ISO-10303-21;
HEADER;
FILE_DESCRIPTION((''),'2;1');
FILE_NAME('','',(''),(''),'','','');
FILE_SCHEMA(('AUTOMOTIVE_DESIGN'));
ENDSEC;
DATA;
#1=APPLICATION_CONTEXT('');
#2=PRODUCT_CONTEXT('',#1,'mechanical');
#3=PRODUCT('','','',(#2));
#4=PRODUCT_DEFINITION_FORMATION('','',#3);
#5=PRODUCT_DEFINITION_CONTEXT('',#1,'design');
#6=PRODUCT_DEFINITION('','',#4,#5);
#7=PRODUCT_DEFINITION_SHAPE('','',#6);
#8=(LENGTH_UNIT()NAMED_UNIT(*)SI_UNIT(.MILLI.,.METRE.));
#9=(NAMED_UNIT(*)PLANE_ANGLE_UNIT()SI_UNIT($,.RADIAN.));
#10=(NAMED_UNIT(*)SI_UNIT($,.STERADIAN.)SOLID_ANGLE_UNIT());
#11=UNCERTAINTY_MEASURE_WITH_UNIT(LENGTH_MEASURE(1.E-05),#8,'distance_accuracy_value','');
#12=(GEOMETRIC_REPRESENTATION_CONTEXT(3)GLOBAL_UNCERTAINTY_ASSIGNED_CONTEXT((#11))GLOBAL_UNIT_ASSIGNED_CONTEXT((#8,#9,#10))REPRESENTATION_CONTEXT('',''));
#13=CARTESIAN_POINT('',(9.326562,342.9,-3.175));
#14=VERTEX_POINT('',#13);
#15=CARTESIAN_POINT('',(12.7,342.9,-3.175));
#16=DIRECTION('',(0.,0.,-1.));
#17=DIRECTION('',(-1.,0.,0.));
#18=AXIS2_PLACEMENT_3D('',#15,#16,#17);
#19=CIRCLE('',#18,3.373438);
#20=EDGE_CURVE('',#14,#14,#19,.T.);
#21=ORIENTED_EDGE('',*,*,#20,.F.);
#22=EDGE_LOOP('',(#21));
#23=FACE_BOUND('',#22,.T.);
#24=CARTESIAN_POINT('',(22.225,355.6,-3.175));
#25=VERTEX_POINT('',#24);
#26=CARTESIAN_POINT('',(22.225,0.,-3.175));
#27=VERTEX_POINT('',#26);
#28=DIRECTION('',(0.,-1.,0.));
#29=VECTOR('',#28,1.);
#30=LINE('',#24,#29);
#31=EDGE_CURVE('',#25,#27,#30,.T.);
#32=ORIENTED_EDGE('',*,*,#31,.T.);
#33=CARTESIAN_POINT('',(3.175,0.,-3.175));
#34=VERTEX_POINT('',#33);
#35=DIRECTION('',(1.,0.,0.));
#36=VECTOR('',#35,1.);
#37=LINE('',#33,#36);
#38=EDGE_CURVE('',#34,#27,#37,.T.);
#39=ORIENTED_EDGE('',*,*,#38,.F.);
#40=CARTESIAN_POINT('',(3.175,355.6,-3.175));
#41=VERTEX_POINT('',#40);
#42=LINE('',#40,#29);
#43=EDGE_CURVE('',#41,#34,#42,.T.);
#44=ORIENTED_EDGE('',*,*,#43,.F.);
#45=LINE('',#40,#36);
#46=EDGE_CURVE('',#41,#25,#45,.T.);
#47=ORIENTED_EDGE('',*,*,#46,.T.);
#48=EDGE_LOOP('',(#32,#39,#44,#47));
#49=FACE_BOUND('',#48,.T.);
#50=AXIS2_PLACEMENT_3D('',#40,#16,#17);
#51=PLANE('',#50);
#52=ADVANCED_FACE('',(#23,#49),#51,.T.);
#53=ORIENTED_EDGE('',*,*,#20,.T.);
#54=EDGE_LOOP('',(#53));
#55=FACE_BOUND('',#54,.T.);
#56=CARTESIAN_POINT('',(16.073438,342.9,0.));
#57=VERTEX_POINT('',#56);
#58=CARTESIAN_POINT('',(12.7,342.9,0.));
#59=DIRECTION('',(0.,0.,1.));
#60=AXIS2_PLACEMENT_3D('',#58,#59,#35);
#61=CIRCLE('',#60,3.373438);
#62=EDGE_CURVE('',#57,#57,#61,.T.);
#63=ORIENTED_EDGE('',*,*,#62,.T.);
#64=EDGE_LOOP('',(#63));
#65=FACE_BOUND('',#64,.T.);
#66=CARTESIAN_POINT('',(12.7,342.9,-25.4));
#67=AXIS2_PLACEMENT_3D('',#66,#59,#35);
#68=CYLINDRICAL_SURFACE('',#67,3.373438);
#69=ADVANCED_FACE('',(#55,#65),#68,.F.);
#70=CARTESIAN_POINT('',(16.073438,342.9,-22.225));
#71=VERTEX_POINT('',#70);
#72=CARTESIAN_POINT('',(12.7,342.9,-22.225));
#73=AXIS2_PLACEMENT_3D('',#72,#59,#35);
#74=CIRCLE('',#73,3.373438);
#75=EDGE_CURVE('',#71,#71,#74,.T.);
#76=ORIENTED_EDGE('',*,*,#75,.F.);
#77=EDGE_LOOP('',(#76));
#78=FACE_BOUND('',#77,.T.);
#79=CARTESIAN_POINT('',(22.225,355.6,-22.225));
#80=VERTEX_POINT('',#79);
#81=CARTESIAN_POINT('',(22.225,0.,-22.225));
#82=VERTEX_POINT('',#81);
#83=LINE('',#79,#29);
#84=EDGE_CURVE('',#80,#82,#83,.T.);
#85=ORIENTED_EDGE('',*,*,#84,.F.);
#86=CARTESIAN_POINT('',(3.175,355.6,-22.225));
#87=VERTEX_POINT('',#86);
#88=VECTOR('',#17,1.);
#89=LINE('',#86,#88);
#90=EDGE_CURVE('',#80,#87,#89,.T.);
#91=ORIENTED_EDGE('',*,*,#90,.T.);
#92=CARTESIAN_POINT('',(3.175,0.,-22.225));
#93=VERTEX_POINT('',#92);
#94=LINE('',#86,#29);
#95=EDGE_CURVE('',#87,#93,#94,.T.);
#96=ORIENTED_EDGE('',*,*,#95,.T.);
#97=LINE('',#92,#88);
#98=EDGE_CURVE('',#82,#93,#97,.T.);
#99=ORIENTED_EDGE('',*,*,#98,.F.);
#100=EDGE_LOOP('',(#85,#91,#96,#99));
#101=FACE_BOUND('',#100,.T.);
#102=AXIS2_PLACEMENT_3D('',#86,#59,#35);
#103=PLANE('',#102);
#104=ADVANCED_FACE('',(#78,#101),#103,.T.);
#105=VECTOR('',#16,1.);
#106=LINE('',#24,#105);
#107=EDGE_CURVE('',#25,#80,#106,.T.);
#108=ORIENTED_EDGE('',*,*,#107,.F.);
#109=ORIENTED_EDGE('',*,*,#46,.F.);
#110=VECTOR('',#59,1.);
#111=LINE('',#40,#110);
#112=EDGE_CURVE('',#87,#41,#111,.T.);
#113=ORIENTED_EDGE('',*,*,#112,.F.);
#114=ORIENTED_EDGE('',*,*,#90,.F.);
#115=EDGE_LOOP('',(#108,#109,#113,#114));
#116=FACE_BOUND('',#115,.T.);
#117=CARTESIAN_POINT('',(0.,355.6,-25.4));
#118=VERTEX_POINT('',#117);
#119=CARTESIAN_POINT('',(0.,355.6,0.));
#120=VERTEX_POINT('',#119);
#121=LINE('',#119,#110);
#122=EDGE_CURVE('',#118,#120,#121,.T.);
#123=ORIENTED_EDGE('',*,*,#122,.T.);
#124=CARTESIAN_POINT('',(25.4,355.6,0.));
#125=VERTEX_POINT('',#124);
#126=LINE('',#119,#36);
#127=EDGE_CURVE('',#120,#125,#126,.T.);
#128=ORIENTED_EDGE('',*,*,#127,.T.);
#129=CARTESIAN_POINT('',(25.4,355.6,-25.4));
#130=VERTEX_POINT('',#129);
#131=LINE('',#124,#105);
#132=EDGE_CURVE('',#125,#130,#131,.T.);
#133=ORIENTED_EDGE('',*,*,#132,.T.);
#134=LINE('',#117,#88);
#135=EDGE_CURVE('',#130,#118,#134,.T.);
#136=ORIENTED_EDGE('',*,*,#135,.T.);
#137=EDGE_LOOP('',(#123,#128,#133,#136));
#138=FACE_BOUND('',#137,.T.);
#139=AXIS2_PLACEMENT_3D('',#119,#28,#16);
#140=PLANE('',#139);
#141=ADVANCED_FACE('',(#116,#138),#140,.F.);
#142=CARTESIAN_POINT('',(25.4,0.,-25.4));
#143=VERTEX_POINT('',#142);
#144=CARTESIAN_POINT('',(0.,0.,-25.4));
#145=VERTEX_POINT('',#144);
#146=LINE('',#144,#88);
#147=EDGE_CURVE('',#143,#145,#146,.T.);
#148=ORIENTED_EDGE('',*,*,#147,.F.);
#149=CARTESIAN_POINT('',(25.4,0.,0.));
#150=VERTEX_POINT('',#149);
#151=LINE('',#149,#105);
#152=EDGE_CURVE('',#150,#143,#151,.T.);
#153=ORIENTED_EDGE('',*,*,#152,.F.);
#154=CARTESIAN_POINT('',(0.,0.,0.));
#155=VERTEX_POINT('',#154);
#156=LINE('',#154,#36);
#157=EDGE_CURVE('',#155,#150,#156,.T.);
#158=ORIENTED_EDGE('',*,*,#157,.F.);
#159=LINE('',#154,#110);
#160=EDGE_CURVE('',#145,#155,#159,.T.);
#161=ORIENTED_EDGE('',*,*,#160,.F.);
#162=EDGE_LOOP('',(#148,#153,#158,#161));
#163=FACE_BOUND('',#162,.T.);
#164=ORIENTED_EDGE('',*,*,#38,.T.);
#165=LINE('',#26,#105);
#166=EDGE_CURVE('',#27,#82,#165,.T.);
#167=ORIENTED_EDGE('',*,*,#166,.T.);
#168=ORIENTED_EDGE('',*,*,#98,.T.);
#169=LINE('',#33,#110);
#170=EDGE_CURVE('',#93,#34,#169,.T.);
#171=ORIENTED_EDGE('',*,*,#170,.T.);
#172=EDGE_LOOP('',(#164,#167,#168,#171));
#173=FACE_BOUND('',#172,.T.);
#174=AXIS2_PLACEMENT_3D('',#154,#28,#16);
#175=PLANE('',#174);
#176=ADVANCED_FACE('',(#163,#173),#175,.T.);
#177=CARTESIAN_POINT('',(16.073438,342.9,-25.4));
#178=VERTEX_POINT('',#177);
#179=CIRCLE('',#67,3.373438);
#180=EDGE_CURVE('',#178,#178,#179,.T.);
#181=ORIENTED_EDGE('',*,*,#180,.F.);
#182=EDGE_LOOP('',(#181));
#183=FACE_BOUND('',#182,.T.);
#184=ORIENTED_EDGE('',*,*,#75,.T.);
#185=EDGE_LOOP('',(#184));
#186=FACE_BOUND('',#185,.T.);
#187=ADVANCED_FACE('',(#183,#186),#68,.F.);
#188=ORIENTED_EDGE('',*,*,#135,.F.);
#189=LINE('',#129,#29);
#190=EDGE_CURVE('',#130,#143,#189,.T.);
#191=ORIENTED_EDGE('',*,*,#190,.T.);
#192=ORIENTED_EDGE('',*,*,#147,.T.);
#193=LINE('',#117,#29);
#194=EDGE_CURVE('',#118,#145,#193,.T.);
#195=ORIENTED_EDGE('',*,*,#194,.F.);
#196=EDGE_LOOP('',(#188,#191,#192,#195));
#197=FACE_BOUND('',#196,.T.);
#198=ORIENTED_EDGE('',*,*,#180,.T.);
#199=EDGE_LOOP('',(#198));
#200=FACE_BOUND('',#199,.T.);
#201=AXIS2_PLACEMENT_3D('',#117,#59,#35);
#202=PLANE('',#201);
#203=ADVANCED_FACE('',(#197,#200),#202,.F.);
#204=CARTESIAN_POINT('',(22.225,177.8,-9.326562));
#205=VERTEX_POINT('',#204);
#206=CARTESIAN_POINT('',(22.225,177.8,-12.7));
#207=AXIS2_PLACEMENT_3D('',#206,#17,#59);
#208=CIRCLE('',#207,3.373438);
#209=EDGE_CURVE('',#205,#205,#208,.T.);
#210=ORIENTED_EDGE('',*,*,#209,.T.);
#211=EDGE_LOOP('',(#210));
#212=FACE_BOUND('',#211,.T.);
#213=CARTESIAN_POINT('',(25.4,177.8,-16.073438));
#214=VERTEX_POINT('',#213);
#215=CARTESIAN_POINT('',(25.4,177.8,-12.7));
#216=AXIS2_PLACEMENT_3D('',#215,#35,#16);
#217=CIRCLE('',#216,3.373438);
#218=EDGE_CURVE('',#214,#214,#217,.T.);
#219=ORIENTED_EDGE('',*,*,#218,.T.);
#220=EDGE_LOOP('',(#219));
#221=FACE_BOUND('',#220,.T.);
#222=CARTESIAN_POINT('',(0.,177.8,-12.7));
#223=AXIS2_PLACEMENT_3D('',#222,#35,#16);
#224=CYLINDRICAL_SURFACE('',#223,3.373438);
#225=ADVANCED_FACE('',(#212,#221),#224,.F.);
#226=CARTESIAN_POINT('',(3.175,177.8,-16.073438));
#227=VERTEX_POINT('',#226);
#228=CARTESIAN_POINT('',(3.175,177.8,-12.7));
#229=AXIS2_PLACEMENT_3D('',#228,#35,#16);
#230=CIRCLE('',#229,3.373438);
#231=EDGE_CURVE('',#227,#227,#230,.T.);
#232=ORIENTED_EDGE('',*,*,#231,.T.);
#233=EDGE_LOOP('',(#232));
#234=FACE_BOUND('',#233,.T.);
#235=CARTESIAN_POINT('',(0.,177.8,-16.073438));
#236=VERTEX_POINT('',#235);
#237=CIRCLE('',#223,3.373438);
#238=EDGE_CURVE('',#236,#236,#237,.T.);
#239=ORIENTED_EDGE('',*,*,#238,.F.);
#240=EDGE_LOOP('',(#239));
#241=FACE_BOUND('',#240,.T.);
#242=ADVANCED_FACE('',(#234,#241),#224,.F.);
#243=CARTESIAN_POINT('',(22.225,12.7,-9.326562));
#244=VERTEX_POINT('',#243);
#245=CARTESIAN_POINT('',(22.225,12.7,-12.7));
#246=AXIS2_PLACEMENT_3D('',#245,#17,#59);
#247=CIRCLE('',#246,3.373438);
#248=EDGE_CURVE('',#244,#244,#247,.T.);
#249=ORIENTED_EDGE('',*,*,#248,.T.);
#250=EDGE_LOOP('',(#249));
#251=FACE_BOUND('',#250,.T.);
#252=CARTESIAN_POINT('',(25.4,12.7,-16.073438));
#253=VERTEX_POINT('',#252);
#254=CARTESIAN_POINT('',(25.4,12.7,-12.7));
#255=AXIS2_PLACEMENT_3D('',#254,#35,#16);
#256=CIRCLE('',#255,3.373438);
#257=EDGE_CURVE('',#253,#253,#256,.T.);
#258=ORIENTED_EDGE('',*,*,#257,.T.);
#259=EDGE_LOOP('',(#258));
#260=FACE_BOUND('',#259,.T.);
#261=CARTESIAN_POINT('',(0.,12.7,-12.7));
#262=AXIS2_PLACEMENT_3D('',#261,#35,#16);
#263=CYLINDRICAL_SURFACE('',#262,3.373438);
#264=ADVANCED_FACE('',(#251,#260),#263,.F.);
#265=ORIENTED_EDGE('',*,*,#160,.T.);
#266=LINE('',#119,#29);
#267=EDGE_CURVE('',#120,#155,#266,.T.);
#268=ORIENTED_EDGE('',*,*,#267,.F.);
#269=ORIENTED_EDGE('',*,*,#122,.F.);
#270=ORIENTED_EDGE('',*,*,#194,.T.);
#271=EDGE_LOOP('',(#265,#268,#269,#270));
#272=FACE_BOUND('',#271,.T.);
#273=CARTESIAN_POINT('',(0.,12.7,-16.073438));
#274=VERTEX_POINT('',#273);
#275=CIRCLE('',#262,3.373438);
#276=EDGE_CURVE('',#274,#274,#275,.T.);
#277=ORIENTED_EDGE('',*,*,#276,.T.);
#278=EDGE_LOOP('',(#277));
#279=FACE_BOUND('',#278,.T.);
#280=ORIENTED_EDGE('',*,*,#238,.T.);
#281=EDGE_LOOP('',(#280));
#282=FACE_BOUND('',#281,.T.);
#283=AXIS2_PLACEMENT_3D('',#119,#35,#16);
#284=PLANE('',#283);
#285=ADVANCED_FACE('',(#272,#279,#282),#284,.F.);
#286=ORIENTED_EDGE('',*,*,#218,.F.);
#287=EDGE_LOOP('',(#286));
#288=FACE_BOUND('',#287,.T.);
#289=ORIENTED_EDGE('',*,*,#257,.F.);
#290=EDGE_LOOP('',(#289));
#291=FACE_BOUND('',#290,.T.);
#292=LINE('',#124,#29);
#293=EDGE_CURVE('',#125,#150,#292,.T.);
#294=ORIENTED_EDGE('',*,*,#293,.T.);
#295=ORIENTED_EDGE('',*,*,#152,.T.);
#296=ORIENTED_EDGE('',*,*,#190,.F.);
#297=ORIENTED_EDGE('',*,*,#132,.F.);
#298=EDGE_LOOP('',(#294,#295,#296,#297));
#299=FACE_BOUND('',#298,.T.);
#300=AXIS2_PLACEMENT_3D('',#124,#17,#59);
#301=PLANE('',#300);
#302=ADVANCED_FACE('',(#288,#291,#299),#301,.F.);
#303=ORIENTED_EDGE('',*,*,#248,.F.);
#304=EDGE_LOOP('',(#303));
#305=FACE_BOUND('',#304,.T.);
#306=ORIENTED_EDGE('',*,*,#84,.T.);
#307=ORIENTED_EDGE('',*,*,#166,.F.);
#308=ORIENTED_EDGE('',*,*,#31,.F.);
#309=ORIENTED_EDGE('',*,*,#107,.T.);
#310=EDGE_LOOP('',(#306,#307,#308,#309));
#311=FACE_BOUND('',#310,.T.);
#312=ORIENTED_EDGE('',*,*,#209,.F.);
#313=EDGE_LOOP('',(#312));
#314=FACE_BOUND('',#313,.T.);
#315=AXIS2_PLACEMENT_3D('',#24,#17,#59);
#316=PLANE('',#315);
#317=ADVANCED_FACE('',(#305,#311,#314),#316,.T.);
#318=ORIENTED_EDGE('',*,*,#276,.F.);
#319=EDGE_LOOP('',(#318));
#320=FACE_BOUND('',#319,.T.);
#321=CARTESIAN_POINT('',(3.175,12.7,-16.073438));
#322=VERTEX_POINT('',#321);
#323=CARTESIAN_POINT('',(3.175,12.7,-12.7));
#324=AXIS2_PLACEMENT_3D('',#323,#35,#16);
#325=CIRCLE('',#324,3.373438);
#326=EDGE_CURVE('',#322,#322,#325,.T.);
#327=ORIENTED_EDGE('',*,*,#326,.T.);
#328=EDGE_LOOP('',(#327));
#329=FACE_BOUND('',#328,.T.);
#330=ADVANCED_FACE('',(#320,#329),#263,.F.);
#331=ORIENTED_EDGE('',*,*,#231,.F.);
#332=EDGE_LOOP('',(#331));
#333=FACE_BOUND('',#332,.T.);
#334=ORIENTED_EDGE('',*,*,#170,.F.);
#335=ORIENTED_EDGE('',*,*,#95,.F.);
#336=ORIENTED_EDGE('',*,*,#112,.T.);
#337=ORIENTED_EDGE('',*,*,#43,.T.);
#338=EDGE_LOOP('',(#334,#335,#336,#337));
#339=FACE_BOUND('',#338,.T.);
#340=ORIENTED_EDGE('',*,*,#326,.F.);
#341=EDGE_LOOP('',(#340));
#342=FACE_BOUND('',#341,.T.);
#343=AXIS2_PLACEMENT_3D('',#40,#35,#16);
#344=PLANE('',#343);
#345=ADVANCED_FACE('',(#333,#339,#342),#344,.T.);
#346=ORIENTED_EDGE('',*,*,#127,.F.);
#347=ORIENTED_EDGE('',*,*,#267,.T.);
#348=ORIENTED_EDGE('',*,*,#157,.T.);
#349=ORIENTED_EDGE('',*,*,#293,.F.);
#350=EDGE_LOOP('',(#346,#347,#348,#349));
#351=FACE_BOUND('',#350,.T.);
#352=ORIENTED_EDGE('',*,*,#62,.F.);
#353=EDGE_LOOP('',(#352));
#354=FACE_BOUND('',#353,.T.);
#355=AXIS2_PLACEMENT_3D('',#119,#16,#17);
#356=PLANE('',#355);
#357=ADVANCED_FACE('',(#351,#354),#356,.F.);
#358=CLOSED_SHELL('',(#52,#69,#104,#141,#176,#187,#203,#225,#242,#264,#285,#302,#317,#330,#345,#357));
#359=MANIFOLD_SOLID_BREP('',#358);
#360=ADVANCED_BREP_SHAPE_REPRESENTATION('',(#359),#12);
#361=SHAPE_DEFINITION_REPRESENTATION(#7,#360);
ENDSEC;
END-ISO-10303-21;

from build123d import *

# Parameters (mm, degrees)
SKETCH1_W           = 25.4
SKETCH1_H           = 25.4
SKETCH1_W_2         = 19.05
SKETCH1_H_2         = 19.05
BOSS_EXTRUDE1_DEPTH = 355.6
CUT_EXTRUDE1_START  = -25.4
SKETCH2_R           = 3.3734375
CUT_EXTRUDE1_DEPTH  = 25.4
CUT_EXTRUDE2_START  = -25.4
SKETCH3_R           = 3.3734375
CUT_EXTRUDE2_DEPTH  = 25.4


with BuildPart() as part:
    # Sketch1 → Boss-Extrude1 (new body)
    with BuildSketch(Plane(origin=(0, 0, 0), x_dir=(1, 0, 0), z_dir=(0, 1, 0))):
        with Locations((12.7, 12.7)):
            Rectangle(SKETCH1_W, SKETCH1_H)
        with Locations((12.7, 12.7)):
            Rectangle(SKETCH1_W_2, SKETCH1_H_2, mode=Mode.SUBTRACT)
    extrude(amount=BOSS_EXTRUDE1_DEPTH)

    # Sketch2 → Cut-Extrude1 (cut)
    with BuildSketch(Plane(origin=(25.4, 0, 0), x_dir=(0, 0, -1), z_dir=(1, 0, 0)).offset(CUT_EXTRUDE1_START)):
        with Locations((12.7, 12.7)):
            Circle(SKETCH2_R)
        with Locations((12.7, 177.8)):
            Circle(SKETCH2_R)
    extrude(amount=CUT_EXTRUDE1_DEPTH, mode=Mode.SUBTRACT)

    # Sketch3 → Cut-Extrude2 (cut)
    with BuildSketch(Plane.XY.offset(CUT_EXTRUDE2_START)):
        with Locations((12.7, 342.9)):
            Circle(SKETCH3_R)
    extrude(amount=CUT_EXTRUDE2_DEPTH, mode=Mode.SUBTRACT)


solid = part.part
